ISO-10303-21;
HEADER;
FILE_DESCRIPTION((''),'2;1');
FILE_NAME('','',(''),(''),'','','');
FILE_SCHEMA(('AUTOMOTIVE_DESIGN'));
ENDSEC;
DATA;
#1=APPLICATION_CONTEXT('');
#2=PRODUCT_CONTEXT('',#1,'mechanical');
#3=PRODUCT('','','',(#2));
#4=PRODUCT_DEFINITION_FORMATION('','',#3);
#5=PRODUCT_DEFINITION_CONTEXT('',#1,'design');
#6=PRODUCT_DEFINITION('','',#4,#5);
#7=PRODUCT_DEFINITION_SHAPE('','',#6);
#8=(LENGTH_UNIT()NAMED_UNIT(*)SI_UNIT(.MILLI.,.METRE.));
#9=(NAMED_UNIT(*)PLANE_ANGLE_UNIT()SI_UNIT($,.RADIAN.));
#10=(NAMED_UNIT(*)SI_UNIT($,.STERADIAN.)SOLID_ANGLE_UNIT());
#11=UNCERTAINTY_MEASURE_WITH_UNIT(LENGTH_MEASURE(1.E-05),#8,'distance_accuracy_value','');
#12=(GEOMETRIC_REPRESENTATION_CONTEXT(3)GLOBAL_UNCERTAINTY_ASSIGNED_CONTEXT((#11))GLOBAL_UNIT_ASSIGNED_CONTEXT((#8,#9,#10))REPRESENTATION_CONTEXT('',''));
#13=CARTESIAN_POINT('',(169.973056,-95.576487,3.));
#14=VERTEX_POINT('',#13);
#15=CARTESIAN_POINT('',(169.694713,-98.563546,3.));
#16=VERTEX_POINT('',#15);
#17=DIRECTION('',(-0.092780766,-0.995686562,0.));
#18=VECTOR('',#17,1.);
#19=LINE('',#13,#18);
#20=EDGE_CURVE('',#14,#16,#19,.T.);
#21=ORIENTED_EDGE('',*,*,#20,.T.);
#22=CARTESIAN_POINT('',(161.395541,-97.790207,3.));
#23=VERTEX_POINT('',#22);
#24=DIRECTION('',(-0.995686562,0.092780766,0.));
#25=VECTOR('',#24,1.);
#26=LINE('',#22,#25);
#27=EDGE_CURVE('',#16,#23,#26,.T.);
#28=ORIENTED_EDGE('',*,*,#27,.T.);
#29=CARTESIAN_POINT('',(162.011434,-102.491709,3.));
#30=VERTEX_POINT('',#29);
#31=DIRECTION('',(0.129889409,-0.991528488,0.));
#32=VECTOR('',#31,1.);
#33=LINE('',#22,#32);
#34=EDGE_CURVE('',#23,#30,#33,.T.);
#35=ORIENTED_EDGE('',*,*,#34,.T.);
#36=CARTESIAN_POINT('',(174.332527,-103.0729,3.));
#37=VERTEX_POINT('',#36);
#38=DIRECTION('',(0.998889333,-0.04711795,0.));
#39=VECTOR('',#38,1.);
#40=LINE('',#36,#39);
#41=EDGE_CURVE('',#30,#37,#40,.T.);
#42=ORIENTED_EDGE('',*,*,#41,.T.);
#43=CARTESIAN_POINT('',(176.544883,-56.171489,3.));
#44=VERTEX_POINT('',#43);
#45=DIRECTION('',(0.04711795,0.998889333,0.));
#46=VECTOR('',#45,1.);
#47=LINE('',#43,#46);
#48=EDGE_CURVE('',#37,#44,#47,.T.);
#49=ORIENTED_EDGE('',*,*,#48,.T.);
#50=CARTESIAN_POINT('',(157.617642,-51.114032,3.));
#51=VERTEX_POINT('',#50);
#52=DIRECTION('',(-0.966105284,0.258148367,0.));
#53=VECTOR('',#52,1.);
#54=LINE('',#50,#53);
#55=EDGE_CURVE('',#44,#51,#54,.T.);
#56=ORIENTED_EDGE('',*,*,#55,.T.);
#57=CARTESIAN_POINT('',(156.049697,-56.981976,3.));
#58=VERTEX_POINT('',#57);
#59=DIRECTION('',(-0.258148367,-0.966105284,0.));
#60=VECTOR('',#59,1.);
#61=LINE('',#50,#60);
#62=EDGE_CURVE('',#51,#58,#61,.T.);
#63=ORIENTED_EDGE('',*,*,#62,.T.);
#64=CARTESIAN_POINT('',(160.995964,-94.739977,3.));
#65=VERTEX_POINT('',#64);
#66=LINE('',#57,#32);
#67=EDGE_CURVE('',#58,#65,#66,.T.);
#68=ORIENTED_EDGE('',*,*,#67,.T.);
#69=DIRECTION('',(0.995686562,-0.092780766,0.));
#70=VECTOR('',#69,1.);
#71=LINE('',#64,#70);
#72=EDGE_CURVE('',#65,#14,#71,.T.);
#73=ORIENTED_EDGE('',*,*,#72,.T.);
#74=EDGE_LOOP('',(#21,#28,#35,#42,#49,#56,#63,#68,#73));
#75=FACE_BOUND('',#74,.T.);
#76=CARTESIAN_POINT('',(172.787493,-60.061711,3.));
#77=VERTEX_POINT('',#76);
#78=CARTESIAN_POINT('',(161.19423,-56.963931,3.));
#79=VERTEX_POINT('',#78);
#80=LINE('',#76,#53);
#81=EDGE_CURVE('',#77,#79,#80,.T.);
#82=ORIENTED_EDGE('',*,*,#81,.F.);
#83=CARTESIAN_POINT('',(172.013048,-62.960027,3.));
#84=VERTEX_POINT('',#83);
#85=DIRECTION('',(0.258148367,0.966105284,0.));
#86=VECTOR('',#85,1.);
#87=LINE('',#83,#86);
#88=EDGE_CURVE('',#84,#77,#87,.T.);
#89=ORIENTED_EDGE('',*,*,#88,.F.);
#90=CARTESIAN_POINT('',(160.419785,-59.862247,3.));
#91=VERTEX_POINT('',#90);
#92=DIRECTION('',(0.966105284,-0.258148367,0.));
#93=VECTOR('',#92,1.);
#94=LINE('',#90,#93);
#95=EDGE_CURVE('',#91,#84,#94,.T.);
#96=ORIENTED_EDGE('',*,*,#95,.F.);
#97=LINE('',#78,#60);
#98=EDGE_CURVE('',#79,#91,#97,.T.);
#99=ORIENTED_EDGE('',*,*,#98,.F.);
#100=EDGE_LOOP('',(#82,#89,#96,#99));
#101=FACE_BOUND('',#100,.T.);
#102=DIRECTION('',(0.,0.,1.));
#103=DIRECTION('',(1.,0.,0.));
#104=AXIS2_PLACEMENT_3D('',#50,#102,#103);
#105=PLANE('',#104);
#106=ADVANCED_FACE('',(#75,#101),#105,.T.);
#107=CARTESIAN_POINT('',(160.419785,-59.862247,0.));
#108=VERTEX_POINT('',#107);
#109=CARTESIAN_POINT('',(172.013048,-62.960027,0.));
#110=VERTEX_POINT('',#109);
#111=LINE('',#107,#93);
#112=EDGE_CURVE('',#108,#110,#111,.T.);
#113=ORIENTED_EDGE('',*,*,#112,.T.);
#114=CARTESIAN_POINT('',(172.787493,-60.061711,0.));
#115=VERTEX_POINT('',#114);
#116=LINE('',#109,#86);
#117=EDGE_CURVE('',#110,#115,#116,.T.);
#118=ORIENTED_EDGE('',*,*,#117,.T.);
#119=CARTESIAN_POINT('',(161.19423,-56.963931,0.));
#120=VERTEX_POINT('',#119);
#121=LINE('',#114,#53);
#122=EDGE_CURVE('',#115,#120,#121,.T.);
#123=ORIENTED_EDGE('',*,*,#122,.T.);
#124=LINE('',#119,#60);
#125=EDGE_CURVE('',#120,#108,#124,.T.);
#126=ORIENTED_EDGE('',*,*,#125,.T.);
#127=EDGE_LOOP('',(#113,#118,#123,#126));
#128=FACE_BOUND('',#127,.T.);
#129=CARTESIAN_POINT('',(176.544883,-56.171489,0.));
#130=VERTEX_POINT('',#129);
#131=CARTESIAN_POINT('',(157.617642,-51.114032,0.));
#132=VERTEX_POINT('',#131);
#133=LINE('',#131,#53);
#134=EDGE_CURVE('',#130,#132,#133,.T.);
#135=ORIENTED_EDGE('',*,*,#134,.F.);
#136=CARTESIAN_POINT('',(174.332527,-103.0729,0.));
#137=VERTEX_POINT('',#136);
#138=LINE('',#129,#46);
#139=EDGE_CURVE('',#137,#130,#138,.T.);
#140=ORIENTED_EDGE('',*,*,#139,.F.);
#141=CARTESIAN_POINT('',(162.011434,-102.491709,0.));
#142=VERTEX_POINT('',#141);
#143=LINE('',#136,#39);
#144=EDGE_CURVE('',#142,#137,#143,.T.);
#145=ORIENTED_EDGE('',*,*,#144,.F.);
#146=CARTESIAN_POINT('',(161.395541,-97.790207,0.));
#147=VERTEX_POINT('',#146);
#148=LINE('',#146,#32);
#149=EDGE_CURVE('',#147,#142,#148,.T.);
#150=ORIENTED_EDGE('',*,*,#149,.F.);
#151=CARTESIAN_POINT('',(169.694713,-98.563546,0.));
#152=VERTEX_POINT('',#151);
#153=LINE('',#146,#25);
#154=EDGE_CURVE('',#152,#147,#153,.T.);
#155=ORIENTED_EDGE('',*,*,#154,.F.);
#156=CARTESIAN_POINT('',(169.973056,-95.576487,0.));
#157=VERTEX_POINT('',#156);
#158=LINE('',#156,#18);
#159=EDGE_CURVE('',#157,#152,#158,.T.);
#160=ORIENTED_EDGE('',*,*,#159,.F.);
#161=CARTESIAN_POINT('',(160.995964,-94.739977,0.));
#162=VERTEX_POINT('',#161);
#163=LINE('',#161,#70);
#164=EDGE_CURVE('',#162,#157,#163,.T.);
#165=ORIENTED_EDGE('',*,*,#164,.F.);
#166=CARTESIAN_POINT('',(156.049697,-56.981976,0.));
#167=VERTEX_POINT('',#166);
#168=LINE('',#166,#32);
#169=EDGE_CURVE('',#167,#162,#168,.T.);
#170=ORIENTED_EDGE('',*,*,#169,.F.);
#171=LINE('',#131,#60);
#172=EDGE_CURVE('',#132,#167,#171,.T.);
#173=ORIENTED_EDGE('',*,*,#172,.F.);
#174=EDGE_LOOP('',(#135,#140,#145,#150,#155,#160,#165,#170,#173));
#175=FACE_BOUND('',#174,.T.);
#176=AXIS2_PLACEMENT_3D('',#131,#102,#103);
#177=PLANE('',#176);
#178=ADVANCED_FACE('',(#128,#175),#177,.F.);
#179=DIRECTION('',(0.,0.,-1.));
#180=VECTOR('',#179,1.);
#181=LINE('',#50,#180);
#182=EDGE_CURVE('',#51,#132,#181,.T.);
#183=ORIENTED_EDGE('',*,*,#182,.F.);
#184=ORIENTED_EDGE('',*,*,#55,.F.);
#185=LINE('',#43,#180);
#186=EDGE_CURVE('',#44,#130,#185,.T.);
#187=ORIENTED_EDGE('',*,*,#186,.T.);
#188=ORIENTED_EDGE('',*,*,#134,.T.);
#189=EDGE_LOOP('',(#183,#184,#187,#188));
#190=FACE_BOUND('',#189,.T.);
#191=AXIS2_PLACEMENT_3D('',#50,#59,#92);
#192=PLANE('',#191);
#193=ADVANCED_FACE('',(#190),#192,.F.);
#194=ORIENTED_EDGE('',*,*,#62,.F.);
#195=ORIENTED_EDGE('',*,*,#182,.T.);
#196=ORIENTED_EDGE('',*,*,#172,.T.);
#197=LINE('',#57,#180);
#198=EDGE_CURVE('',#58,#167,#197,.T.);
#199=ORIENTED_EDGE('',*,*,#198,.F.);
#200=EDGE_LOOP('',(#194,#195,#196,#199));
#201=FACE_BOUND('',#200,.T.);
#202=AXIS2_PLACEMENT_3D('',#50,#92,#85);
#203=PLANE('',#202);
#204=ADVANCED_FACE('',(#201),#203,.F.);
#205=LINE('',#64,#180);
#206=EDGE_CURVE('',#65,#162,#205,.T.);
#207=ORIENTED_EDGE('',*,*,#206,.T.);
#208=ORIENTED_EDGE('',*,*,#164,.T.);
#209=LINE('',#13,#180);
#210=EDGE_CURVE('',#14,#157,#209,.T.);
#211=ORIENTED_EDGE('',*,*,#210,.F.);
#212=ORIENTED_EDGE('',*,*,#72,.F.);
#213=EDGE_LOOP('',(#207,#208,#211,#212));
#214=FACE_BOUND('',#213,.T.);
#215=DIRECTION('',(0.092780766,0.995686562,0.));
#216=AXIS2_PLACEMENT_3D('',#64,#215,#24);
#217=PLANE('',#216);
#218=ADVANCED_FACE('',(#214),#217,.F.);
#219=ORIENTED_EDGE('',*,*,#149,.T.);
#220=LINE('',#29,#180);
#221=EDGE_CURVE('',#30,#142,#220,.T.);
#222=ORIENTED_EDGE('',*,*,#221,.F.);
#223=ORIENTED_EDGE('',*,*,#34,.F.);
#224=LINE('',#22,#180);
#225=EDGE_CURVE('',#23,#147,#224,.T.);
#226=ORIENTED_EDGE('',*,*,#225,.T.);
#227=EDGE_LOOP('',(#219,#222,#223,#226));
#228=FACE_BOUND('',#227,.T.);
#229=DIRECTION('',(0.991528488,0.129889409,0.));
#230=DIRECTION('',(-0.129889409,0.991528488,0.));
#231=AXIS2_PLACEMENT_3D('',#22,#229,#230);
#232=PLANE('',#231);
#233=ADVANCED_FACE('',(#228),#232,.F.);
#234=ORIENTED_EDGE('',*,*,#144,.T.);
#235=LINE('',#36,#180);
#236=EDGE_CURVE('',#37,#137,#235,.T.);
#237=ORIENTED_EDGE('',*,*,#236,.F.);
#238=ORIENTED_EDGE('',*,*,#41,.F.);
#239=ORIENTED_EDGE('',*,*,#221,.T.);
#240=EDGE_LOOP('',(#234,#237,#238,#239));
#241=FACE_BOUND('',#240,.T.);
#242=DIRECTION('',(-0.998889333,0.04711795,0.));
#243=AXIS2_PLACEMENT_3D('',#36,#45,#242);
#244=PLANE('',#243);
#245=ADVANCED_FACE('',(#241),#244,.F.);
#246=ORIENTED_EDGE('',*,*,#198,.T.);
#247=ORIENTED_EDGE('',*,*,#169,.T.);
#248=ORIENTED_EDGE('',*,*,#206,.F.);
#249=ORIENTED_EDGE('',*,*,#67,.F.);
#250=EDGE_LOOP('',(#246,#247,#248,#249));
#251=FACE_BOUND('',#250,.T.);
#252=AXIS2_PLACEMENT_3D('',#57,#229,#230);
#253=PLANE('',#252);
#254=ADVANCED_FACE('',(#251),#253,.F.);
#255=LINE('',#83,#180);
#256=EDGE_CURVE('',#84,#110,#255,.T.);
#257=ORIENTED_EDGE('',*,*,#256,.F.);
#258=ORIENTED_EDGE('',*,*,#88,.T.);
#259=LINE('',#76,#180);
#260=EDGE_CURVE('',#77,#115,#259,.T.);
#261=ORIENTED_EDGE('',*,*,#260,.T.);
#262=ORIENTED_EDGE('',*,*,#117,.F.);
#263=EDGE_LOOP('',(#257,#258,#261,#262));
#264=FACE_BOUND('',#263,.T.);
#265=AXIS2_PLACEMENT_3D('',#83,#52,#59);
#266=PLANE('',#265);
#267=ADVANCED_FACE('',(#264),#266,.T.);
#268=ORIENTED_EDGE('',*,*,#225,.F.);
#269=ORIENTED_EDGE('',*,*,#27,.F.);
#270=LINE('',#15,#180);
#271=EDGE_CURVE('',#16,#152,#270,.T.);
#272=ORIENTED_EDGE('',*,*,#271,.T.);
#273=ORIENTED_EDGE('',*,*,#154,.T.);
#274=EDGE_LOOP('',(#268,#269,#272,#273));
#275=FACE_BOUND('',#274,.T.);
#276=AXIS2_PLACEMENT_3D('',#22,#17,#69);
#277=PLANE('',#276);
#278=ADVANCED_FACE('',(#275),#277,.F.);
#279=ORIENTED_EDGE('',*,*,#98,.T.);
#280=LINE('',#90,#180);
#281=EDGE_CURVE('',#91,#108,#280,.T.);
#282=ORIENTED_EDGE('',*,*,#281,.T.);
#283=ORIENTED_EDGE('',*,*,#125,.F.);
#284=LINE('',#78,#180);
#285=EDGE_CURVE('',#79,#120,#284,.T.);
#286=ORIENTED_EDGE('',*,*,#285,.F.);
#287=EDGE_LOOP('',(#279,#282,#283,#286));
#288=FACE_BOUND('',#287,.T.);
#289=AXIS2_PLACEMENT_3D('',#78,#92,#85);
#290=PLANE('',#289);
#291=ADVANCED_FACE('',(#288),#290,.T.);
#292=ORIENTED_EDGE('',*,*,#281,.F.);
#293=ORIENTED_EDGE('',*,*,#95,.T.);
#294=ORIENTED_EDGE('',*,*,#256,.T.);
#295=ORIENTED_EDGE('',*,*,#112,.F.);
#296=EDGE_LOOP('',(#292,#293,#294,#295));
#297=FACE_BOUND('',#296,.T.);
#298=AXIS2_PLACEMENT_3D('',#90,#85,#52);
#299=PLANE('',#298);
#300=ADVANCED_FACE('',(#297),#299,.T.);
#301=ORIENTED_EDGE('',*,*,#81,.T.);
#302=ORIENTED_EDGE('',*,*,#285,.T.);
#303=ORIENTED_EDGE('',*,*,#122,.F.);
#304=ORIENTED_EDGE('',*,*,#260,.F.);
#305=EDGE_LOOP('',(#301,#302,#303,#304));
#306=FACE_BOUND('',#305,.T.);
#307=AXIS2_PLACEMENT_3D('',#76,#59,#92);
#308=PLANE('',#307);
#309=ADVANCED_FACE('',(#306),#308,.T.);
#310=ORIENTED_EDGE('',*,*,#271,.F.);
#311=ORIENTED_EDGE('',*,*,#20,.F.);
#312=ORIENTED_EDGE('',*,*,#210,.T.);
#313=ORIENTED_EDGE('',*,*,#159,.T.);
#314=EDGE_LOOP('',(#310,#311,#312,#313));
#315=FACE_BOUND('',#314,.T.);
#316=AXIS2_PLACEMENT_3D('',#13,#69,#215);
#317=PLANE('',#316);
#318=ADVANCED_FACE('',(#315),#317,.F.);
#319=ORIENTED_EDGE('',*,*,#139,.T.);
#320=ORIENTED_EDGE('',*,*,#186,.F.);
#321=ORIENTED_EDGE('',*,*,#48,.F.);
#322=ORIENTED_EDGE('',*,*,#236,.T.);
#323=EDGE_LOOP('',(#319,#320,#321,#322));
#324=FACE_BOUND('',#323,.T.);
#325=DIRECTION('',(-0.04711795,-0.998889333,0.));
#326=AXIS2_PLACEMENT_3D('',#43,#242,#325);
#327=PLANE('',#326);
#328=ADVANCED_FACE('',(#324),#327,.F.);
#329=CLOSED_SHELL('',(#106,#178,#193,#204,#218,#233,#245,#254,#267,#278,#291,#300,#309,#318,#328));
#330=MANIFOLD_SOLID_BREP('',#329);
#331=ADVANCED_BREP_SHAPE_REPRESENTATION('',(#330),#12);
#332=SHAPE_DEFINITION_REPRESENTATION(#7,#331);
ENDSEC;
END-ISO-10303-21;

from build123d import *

# Parameters (mm, degrees)
BASE_EXTRUDE_DEPTH = 3


with BuildPart() as part:
    # Sketch1 → Base-Extrude (new body)
    with BuildSketch(Plane.XY):
        Polygon((156.049697038, -56.981976311), (160.995963781, -94.739977013), (169.973055579, -95.576486697), (169.694713282, -98.563546383), (161.395541391, -97.790207109), (162.011434279, -102.491709341), (174.332527404, -103.072899505), (176.544882919, -56.17148924), (157.617642362, -51.114031919), align=None)
        Polygon((160.419784952, -59.862246689), (172.013048365, -62.960027094), (172.787493466, -60.061711241), (161.194230053, -56.963930836), align=None, mode=Mode.SUBTRACT)
    extrude(amount=BASE_EXTRUDE_DEPTH)


solid = part.part
